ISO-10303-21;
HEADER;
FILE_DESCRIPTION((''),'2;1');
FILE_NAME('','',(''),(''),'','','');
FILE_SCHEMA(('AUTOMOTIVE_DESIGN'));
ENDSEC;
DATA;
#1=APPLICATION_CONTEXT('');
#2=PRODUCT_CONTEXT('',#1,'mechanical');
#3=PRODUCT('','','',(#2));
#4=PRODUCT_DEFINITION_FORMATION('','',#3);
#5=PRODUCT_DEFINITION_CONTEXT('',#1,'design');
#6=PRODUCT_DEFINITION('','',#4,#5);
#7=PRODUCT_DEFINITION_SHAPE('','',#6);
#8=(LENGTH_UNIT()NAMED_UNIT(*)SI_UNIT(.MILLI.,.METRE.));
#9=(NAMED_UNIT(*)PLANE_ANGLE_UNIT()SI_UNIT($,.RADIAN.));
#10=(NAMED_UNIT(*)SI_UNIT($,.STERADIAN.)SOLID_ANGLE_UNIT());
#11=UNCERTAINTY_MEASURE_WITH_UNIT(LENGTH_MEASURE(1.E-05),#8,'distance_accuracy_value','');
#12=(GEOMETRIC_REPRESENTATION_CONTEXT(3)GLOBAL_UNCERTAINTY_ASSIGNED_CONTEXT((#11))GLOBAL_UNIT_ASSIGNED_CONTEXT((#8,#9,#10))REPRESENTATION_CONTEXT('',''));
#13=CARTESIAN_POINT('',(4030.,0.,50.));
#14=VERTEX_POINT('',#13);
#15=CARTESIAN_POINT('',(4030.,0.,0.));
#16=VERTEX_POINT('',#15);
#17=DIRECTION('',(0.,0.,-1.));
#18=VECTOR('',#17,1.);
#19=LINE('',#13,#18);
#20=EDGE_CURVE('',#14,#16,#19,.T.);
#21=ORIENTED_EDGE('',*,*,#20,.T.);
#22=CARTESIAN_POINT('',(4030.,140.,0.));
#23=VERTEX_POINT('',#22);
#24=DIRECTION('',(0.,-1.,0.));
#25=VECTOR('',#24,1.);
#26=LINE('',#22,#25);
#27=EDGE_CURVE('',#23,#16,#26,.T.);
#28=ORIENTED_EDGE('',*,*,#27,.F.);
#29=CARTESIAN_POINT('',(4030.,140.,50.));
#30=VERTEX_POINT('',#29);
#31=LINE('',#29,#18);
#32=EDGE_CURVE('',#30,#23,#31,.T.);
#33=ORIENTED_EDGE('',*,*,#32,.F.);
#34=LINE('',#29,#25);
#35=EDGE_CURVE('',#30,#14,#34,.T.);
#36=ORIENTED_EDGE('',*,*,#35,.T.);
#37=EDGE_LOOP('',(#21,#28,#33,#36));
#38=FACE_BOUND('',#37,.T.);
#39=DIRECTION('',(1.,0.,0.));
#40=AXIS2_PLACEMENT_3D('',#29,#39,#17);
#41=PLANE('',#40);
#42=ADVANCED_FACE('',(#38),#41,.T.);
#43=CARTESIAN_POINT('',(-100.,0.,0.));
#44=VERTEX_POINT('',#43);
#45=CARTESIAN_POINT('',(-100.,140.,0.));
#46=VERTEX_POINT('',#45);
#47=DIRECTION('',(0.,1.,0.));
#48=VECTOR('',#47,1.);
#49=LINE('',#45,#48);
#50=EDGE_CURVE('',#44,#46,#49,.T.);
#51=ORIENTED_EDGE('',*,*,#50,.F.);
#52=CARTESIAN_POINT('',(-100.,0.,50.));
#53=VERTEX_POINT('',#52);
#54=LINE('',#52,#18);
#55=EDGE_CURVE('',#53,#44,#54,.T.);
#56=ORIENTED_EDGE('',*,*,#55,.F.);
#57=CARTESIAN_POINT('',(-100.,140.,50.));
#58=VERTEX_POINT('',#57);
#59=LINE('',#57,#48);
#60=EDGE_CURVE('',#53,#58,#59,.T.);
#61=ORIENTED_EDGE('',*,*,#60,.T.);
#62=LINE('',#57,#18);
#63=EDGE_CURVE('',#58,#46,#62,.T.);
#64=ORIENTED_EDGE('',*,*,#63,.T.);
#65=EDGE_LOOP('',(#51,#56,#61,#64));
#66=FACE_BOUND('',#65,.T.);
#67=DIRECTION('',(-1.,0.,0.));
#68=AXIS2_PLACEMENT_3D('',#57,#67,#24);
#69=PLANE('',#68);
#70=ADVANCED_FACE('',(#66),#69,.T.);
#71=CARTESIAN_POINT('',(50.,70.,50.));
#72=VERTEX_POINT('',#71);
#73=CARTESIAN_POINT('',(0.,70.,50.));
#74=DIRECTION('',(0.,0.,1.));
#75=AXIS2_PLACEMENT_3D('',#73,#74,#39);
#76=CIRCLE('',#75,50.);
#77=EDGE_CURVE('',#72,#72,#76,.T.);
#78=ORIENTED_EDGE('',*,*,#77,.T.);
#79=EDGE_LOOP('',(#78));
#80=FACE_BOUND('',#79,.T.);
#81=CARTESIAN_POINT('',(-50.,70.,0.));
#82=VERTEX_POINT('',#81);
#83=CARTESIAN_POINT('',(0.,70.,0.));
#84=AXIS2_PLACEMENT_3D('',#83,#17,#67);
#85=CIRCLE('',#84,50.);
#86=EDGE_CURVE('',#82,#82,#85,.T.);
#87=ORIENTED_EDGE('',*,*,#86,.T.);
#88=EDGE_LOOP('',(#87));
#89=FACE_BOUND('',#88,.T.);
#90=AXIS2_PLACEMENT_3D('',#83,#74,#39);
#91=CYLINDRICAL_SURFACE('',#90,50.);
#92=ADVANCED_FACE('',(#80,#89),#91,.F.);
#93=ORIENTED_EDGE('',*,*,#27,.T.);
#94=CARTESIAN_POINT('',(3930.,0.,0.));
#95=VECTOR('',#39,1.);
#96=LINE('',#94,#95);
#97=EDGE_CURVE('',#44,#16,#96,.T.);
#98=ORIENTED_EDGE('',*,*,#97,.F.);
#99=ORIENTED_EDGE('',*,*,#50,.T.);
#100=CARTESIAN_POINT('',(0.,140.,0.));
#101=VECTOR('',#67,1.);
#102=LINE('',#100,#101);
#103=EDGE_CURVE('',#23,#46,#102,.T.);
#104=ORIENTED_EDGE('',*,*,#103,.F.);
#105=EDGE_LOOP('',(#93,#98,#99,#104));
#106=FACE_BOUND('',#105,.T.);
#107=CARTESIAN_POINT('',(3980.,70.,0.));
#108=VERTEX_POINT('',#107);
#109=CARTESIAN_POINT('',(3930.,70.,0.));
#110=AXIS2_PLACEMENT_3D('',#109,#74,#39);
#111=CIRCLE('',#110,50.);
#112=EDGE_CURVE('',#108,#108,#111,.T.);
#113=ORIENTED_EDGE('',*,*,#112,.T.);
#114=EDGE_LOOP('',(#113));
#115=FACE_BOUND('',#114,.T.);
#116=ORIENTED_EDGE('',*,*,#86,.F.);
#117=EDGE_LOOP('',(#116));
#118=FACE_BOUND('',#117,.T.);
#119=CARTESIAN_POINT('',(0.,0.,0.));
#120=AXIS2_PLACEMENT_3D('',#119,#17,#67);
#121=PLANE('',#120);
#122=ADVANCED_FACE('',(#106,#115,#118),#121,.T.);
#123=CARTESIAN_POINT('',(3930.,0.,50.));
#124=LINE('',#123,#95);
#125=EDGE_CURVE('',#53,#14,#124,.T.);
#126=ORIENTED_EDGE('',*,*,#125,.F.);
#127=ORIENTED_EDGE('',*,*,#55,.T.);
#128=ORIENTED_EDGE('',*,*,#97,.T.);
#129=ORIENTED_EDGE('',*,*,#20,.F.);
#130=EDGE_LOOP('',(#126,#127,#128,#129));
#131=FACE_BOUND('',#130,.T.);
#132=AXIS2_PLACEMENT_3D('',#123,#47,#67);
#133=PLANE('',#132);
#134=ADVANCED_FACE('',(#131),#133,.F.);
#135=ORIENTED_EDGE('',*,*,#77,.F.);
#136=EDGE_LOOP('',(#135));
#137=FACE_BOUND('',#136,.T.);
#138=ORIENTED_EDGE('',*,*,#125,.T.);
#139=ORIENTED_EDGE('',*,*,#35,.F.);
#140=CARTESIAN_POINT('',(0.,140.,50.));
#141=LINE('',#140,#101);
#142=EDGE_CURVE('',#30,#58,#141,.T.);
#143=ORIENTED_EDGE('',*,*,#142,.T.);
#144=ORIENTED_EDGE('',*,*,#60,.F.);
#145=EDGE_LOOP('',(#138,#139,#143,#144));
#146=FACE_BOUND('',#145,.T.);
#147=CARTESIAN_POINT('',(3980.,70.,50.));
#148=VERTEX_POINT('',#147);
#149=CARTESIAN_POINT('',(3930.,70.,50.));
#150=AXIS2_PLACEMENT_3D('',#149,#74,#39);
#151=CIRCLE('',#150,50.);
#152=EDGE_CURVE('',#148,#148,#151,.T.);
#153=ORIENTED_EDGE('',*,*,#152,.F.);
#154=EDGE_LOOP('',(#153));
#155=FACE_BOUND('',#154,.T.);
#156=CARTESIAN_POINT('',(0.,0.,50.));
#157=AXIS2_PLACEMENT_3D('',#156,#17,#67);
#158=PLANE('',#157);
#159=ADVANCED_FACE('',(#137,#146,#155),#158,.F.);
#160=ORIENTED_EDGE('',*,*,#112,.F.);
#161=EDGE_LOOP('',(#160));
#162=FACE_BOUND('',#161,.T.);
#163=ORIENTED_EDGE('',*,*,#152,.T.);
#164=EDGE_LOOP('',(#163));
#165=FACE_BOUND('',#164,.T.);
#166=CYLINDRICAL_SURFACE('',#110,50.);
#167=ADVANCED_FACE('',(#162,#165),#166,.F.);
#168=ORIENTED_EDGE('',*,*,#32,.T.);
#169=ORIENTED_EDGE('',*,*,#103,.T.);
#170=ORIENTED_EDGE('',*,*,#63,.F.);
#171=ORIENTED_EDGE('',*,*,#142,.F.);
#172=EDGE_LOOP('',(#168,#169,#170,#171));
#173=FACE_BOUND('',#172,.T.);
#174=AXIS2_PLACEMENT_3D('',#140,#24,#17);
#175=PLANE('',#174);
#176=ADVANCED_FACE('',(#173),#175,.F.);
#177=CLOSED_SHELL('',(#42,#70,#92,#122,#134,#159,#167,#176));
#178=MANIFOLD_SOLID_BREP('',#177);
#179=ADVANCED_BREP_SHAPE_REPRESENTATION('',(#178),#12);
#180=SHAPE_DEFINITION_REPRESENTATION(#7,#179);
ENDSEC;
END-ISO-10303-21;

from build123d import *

# Parameters (mm, degrees)
SKETCH1_W           = 3930
SKETCH1_H           = 140
BOSS_EXTRUDE1_DEPTH = 50
SKETCH2_R           = 50
CUT_EXTRUDE1_DEPTH  = 50
SKETCH3_W           = 100
SKETCH3_H           = 140
BOSS_EXTRUDE2_DEPTH = 50
SKETCH4_R           = 50
CUT_EXTRUDE2_DEPTH  = 51


with BuildPart() as part:
    # Sketch1 → Boss-Extrude1 (new body)
    with BuildSketch(Plane.XY):
        with Locations((1965, 70)):
            Rectangle(SKETCH1_W, SKETCH1_H)
    extrude(amount=BOSS_EXTRUDE1_DEPTH)

    # Sketch2 → Cut-Extrude1 (cut)
    with BuildSketch(Plane.XY.offset(50)):
        with Locations((3930, 70)):
            Circle(SKETCH2_R)
        with Locations((0, 70)):
            Circle(SKETCH2_R)
    extrude(amount=-CUT_EXTRUDE1_DEPTH, mode=Mode.SUBTRACT)

    # Sketch3 → Boss-Extrude2 (add, through all)
    with BuildSketch(Plane(origin=(0, 0, 0), x_dir=(-1, 0, 0), z_dir=(0, 0, -1))):
        with Locations((-3980, 70)):
            Rectangle(SKETCH3_W, SKETCH3_H)
        with Locations((50, 70)):
            Rectangle(SKETCH3_W, SKETCH3_H)
    extrude(amount=-BOSS_EXTRUDE2_DEPTH)

    # Sketch4 → Cut-Extrude2 (cut, through all)
    with BuildSketch(Plane(origin=(0, 0, 0), x_dir=(-1, 0, 0), z_dir=(0, 0, -1))):
        with Locations((0, 70)):
            Circle(SKETCH4_R)
        with Locations((-3930, 70)):
            Circle(SKETCH4_R)
    extrude(amount=-CUT_EXTRUDE2_DEPTH, mode=Mode.SUBTRACT)


solid = part.part
